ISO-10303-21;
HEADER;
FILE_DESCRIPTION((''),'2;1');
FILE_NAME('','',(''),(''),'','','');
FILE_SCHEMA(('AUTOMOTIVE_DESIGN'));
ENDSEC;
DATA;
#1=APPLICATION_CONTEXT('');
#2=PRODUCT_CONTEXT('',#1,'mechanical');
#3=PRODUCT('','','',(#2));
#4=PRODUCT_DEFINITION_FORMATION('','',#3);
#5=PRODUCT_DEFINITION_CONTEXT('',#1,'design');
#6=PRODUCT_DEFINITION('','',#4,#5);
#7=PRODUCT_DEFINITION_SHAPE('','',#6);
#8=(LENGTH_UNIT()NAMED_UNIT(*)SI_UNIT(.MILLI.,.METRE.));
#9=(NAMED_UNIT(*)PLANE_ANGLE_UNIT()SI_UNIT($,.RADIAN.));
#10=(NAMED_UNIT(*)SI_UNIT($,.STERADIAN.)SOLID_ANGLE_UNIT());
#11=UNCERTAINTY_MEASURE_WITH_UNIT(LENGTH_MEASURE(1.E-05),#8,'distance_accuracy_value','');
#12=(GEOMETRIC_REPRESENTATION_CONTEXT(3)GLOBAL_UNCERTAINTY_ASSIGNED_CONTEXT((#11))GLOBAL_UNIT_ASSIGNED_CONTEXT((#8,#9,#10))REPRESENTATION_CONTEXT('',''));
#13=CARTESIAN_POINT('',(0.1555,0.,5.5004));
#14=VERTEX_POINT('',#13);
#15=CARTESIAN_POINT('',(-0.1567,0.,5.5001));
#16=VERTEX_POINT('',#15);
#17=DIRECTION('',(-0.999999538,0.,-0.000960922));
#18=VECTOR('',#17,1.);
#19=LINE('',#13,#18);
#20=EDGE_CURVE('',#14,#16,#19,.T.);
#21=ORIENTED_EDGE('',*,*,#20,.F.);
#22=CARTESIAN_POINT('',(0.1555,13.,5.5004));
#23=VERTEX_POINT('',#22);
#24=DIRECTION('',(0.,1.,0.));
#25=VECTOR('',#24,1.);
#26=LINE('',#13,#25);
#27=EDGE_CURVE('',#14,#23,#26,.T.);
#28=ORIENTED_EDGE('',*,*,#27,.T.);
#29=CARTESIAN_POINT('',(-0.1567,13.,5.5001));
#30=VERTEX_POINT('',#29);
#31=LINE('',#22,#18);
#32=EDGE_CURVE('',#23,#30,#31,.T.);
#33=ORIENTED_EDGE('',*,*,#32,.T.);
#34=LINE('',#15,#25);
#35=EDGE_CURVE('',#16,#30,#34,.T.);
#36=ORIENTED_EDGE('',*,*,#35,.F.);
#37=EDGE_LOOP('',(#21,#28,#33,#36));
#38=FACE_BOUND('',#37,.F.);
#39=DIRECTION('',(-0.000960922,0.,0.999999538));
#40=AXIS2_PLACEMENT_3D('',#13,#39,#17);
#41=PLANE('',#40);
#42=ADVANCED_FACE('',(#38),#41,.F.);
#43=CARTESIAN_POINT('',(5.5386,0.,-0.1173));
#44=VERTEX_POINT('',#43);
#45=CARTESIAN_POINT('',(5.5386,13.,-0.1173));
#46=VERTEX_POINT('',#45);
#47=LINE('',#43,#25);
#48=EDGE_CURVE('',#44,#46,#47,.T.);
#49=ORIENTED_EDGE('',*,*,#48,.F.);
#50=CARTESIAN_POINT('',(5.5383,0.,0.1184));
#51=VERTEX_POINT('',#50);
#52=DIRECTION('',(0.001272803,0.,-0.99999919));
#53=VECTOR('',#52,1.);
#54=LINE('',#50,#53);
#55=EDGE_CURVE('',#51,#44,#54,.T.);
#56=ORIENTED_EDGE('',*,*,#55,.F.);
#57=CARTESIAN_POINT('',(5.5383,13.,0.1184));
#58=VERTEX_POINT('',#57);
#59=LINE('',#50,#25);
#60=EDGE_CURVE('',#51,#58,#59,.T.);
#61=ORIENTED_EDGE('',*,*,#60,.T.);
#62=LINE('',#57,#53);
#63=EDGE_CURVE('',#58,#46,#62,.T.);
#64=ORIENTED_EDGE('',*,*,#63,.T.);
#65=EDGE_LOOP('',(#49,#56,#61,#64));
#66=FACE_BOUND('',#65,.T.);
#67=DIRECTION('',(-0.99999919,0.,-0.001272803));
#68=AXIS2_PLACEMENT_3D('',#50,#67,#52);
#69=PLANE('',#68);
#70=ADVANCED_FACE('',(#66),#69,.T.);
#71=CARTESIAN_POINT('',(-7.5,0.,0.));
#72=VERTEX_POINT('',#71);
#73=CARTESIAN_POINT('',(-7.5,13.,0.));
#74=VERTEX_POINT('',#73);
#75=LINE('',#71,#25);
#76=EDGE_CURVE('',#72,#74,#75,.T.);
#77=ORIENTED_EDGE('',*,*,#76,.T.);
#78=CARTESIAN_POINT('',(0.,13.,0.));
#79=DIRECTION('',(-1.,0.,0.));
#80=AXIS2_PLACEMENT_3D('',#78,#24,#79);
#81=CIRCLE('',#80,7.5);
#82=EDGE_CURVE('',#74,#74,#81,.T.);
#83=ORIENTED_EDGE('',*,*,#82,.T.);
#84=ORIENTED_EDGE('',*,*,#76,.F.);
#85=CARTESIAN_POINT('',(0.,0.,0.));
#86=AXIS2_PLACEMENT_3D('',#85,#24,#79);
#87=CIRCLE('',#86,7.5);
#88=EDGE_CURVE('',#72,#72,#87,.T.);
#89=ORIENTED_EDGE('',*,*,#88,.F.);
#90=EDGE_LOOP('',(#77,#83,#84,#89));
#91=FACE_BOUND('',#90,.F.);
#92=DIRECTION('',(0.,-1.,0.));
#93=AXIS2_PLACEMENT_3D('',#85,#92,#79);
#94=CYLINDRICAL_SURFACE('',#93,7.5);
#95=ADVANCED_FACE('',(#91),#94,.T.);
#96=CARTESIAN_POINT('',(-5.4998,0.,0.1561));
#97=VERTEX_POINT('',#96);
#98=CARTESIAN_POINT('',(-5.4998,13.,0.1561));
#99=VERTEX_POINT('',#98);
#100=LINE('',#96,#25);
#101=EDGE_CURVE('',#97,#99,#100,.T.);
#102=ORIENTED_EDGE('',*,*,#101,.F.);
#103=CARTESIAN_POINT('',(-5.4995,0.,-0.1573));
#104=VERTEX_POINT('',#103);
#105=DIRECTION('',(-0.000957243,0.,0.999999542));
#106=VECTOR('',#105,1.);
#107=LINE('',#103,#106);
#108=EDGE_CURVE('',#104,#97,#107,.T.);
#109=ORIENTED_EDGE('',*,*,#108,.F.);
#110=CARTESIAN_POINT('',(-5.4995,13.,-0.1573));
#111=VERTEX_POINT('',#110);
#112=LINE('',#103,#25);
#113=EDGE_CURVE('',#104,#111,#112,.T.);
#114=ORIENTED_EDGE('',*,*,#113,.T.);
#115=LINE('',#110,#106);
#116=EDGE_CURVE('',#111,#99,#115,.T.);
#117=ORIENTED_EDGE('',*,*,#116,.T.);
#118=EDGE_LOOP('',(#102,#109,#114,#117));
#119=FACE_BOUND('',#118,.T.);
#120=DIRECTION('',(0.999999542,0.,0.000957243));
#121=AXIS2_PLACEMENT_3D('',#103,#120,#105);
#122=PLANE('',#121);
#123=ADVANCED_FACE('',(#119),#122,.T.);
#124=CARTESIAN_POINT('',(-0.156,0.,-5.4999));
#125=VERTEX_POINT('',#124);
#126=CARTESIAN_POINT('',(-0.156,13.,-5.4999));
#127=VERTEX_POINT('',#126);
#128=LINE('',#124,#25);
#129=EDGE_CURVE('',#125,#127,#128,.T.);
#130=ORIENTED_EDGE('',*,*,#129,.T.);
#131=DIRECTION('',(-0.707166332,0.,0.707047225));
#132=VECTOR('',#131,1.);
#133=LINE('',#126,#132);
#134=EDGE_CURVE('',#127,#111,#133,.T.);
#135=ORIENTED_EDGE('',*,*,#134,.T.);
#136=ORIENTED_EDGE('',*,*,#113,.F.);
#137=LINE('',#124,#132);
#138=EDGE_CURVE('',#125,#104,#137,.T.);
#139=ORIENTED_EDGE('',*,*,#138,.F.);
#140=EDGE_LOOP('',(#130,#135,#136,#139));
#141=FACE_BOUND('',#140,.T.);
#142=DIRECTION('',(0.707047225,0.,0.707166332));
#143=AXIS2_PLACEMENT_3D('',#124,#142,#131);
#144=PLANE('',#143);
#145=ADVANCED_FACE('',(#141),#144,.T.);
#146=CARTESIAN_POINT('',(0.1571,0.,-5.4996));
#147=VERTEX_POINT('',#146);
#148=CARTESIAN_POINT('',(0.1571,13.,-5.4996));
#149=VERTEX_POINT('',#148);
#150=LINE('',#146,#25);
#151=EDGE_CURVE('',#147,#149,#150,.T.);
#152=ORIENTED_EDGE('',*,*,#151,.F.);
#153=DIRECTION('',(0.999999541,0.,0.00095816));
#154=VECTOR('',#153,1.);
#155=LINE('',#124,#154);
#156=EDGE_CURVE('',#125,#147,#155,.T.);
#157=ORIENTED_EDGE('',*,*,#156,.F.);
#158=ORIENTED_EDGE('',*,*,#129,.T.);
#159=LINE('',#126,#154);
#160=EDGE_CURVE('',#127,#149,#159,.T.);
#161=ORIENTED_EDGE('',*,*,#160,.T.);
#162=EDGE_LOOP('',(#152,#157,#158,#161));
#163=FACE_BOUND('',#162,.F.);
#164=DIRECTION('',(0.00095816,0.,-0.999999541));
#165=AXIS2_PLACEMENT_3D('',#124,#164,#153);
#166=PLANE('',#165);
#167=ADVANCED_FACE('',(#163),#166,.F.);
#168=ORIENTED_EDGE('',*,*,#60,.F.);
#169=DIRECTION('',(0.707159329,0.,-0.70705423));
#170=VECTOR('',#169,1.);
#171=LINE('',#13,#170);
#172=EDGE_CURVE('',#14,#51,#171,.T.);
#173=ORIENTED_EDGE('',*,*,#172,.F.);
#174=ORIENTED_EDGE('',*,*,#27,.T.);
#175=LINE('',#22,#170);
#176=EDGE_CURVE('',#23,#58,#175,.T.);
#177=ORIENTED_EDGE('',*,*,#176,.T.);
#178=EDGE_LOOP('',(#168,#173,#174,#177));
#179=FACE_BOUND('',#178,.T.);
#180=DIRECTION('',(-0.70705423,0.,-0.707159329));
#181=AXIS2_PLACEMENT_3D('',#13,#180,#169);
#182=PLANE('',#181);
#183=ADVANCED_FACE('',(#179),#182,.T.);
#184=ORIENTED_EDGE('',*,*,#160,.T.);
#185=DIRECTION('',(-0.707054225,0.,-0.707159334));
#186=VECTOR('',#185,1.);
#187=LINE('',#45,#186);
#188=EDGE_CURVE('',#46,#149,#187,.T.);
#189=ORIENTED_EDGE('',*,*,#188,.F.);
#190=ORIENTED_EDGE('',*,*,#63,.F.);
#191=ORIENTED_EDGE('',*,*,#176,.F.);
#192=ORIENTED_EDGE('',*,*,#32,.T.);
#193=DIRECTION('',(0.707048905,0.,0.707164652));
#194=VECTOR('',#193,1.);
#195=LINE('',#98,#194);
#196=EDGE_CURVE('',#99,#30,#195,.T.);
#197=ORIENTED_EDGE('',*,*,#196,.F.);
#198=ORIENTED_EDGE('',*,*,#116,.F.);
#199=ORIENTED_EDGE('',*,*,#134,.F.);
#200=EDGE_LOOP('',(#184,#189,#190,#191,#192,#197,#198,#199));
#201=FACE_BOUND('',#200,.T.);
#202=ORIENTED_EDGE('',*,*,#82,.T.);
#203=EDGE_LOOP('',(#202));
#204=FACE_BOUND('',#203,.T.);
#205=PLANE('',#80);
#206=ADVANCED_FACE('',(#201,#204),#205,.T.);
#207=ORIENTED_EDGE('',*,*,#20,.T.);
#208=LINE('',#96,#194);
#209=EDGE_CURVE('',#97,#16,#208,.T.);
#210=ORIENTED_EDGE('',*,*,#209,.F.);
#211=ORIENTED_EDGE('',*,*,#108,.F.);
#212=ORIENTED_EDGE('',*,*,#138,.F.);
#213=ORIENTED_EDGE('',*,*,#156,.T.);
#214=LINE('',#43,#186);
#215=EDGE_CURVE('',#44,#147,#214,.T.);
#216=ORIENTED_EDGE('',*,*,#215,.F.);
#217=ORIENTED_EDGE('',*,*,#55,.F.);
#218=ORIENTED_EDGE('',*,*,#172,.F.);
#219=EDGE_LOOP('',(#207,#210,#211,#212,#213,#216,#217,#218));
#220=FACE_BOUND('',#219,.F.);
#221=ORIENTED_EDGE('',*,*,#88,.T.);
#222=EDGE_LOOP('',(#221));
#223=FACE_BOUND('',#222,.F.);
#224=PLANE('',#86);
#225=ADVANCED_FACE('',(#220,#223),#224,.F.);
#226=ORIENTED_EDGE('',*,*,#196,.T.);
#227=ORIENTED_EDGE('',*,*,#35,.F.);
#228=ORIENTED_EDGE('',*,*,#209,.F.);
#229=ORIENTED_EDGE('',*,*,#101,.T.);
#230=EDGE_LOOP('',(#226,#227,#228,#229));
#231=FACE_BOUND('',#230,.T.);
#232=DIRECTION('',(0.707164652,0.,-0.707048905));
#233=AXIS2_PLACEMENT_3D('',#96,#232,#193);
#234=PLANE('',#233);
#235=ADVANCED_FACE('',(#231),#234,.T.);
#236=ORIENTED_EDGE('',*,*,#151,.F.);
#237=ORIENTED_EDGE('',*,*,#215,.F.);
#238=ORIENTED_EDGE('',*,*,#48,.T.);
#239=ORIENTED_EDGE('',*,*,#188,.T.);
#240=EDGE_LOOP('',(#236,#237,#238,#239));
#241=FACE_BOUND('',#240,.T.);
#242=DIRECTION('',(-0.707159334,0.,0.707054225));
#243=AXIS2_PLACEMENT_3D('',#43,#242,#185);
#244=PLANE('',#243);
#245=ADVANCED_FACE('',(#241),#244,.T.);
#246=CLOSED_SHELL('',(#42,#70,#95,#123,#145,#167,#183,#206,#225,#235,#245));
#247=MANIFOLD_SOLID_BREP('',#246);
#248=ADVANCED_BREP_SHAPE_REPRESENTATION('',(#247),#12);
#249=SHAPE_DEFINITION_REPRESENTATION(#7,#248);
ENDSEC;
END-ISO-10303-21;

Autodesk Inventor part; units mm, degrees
ref_plane "YZ Plane" through (0, 0, 0) normal (1, 0, 0) x (0, 1, 0)
ref_plane "XZ Plane" through (0, 0, 0) normal (0, 1, 0) x (-1, 0, 0)
ref_plane "XY Plane" through (0, 0, 0) normal (0, 0, 1) x (1, 0, 0)
sketch "Эскиз1" plane through (0, 0, 0) normal (0, 1, 0) x (-1, 0, 0)
  line L0 (-0.1311, -5.5) -> (-5.5, -0.1311)
  line L1 (-5.5, 0.1311) -> (-0.1311, 5.5)
  line L2 (0.1311, 5.5) -> (5.5001, 0.131)
  line L3 (5.5001, -0.131) -> (0.1311, -5.5)
  line L4 (-5.5, 0.131) -> (-5.5, -0.1311)
  line L5 (5.5001, 0.131) -> (5.5001, -0.131)
  line L6 (-0.131, 5.5) -> (0.1311, 5.5)
  line L7 (0.1311, -5.5) -> (-0.1311, -5.5)
  circle A0 centre (0, 0) radius 7.5
extrude "Выдавливание1" add sketch "Эскиз1" along normal blind 13 contours L0 L4 L1 L6 L2 L5 L3 L7 | A0
sketch "Эскиз2" plane through (0, 0, 0) normal (0, -1, 0) x (1, 0, 0)
  circle A0 centre (0, 0) radius 7.5 projected
  line L0 (0.1555, 5.5004) -> (5.5383, 0.1184)
  line L1 (5.5386, -0.1173) -> (0.1571, -5.4996)
  line L2 (-0.156, -5.4999) -> (-5.4995, -0.1573)
  line L3 (-5.4998, 0.1561) -> (-0.0021, 5.6547)
  line L4 (5.5383, 0.1184) -> (5.5386, -0.1173)
  line L5 (-5.4995, -0.1573) -> (-5.4998, 0.1561)
  line L6 (0.1555, 5.5004) -> (-0.1567, 5.5001)
  line L7 (-0.156, -5.4999) -> (0.1571, -5.4996)
  dimension "d4" = 8
  dimension "d5" = 11
extrude "Выдавливание2" cut sketch "Эскиз2" against normal blind 13 contours L0 L4 L1 L7 L2 L5 L3 L6
properties part number "Поз5 Муфта"
